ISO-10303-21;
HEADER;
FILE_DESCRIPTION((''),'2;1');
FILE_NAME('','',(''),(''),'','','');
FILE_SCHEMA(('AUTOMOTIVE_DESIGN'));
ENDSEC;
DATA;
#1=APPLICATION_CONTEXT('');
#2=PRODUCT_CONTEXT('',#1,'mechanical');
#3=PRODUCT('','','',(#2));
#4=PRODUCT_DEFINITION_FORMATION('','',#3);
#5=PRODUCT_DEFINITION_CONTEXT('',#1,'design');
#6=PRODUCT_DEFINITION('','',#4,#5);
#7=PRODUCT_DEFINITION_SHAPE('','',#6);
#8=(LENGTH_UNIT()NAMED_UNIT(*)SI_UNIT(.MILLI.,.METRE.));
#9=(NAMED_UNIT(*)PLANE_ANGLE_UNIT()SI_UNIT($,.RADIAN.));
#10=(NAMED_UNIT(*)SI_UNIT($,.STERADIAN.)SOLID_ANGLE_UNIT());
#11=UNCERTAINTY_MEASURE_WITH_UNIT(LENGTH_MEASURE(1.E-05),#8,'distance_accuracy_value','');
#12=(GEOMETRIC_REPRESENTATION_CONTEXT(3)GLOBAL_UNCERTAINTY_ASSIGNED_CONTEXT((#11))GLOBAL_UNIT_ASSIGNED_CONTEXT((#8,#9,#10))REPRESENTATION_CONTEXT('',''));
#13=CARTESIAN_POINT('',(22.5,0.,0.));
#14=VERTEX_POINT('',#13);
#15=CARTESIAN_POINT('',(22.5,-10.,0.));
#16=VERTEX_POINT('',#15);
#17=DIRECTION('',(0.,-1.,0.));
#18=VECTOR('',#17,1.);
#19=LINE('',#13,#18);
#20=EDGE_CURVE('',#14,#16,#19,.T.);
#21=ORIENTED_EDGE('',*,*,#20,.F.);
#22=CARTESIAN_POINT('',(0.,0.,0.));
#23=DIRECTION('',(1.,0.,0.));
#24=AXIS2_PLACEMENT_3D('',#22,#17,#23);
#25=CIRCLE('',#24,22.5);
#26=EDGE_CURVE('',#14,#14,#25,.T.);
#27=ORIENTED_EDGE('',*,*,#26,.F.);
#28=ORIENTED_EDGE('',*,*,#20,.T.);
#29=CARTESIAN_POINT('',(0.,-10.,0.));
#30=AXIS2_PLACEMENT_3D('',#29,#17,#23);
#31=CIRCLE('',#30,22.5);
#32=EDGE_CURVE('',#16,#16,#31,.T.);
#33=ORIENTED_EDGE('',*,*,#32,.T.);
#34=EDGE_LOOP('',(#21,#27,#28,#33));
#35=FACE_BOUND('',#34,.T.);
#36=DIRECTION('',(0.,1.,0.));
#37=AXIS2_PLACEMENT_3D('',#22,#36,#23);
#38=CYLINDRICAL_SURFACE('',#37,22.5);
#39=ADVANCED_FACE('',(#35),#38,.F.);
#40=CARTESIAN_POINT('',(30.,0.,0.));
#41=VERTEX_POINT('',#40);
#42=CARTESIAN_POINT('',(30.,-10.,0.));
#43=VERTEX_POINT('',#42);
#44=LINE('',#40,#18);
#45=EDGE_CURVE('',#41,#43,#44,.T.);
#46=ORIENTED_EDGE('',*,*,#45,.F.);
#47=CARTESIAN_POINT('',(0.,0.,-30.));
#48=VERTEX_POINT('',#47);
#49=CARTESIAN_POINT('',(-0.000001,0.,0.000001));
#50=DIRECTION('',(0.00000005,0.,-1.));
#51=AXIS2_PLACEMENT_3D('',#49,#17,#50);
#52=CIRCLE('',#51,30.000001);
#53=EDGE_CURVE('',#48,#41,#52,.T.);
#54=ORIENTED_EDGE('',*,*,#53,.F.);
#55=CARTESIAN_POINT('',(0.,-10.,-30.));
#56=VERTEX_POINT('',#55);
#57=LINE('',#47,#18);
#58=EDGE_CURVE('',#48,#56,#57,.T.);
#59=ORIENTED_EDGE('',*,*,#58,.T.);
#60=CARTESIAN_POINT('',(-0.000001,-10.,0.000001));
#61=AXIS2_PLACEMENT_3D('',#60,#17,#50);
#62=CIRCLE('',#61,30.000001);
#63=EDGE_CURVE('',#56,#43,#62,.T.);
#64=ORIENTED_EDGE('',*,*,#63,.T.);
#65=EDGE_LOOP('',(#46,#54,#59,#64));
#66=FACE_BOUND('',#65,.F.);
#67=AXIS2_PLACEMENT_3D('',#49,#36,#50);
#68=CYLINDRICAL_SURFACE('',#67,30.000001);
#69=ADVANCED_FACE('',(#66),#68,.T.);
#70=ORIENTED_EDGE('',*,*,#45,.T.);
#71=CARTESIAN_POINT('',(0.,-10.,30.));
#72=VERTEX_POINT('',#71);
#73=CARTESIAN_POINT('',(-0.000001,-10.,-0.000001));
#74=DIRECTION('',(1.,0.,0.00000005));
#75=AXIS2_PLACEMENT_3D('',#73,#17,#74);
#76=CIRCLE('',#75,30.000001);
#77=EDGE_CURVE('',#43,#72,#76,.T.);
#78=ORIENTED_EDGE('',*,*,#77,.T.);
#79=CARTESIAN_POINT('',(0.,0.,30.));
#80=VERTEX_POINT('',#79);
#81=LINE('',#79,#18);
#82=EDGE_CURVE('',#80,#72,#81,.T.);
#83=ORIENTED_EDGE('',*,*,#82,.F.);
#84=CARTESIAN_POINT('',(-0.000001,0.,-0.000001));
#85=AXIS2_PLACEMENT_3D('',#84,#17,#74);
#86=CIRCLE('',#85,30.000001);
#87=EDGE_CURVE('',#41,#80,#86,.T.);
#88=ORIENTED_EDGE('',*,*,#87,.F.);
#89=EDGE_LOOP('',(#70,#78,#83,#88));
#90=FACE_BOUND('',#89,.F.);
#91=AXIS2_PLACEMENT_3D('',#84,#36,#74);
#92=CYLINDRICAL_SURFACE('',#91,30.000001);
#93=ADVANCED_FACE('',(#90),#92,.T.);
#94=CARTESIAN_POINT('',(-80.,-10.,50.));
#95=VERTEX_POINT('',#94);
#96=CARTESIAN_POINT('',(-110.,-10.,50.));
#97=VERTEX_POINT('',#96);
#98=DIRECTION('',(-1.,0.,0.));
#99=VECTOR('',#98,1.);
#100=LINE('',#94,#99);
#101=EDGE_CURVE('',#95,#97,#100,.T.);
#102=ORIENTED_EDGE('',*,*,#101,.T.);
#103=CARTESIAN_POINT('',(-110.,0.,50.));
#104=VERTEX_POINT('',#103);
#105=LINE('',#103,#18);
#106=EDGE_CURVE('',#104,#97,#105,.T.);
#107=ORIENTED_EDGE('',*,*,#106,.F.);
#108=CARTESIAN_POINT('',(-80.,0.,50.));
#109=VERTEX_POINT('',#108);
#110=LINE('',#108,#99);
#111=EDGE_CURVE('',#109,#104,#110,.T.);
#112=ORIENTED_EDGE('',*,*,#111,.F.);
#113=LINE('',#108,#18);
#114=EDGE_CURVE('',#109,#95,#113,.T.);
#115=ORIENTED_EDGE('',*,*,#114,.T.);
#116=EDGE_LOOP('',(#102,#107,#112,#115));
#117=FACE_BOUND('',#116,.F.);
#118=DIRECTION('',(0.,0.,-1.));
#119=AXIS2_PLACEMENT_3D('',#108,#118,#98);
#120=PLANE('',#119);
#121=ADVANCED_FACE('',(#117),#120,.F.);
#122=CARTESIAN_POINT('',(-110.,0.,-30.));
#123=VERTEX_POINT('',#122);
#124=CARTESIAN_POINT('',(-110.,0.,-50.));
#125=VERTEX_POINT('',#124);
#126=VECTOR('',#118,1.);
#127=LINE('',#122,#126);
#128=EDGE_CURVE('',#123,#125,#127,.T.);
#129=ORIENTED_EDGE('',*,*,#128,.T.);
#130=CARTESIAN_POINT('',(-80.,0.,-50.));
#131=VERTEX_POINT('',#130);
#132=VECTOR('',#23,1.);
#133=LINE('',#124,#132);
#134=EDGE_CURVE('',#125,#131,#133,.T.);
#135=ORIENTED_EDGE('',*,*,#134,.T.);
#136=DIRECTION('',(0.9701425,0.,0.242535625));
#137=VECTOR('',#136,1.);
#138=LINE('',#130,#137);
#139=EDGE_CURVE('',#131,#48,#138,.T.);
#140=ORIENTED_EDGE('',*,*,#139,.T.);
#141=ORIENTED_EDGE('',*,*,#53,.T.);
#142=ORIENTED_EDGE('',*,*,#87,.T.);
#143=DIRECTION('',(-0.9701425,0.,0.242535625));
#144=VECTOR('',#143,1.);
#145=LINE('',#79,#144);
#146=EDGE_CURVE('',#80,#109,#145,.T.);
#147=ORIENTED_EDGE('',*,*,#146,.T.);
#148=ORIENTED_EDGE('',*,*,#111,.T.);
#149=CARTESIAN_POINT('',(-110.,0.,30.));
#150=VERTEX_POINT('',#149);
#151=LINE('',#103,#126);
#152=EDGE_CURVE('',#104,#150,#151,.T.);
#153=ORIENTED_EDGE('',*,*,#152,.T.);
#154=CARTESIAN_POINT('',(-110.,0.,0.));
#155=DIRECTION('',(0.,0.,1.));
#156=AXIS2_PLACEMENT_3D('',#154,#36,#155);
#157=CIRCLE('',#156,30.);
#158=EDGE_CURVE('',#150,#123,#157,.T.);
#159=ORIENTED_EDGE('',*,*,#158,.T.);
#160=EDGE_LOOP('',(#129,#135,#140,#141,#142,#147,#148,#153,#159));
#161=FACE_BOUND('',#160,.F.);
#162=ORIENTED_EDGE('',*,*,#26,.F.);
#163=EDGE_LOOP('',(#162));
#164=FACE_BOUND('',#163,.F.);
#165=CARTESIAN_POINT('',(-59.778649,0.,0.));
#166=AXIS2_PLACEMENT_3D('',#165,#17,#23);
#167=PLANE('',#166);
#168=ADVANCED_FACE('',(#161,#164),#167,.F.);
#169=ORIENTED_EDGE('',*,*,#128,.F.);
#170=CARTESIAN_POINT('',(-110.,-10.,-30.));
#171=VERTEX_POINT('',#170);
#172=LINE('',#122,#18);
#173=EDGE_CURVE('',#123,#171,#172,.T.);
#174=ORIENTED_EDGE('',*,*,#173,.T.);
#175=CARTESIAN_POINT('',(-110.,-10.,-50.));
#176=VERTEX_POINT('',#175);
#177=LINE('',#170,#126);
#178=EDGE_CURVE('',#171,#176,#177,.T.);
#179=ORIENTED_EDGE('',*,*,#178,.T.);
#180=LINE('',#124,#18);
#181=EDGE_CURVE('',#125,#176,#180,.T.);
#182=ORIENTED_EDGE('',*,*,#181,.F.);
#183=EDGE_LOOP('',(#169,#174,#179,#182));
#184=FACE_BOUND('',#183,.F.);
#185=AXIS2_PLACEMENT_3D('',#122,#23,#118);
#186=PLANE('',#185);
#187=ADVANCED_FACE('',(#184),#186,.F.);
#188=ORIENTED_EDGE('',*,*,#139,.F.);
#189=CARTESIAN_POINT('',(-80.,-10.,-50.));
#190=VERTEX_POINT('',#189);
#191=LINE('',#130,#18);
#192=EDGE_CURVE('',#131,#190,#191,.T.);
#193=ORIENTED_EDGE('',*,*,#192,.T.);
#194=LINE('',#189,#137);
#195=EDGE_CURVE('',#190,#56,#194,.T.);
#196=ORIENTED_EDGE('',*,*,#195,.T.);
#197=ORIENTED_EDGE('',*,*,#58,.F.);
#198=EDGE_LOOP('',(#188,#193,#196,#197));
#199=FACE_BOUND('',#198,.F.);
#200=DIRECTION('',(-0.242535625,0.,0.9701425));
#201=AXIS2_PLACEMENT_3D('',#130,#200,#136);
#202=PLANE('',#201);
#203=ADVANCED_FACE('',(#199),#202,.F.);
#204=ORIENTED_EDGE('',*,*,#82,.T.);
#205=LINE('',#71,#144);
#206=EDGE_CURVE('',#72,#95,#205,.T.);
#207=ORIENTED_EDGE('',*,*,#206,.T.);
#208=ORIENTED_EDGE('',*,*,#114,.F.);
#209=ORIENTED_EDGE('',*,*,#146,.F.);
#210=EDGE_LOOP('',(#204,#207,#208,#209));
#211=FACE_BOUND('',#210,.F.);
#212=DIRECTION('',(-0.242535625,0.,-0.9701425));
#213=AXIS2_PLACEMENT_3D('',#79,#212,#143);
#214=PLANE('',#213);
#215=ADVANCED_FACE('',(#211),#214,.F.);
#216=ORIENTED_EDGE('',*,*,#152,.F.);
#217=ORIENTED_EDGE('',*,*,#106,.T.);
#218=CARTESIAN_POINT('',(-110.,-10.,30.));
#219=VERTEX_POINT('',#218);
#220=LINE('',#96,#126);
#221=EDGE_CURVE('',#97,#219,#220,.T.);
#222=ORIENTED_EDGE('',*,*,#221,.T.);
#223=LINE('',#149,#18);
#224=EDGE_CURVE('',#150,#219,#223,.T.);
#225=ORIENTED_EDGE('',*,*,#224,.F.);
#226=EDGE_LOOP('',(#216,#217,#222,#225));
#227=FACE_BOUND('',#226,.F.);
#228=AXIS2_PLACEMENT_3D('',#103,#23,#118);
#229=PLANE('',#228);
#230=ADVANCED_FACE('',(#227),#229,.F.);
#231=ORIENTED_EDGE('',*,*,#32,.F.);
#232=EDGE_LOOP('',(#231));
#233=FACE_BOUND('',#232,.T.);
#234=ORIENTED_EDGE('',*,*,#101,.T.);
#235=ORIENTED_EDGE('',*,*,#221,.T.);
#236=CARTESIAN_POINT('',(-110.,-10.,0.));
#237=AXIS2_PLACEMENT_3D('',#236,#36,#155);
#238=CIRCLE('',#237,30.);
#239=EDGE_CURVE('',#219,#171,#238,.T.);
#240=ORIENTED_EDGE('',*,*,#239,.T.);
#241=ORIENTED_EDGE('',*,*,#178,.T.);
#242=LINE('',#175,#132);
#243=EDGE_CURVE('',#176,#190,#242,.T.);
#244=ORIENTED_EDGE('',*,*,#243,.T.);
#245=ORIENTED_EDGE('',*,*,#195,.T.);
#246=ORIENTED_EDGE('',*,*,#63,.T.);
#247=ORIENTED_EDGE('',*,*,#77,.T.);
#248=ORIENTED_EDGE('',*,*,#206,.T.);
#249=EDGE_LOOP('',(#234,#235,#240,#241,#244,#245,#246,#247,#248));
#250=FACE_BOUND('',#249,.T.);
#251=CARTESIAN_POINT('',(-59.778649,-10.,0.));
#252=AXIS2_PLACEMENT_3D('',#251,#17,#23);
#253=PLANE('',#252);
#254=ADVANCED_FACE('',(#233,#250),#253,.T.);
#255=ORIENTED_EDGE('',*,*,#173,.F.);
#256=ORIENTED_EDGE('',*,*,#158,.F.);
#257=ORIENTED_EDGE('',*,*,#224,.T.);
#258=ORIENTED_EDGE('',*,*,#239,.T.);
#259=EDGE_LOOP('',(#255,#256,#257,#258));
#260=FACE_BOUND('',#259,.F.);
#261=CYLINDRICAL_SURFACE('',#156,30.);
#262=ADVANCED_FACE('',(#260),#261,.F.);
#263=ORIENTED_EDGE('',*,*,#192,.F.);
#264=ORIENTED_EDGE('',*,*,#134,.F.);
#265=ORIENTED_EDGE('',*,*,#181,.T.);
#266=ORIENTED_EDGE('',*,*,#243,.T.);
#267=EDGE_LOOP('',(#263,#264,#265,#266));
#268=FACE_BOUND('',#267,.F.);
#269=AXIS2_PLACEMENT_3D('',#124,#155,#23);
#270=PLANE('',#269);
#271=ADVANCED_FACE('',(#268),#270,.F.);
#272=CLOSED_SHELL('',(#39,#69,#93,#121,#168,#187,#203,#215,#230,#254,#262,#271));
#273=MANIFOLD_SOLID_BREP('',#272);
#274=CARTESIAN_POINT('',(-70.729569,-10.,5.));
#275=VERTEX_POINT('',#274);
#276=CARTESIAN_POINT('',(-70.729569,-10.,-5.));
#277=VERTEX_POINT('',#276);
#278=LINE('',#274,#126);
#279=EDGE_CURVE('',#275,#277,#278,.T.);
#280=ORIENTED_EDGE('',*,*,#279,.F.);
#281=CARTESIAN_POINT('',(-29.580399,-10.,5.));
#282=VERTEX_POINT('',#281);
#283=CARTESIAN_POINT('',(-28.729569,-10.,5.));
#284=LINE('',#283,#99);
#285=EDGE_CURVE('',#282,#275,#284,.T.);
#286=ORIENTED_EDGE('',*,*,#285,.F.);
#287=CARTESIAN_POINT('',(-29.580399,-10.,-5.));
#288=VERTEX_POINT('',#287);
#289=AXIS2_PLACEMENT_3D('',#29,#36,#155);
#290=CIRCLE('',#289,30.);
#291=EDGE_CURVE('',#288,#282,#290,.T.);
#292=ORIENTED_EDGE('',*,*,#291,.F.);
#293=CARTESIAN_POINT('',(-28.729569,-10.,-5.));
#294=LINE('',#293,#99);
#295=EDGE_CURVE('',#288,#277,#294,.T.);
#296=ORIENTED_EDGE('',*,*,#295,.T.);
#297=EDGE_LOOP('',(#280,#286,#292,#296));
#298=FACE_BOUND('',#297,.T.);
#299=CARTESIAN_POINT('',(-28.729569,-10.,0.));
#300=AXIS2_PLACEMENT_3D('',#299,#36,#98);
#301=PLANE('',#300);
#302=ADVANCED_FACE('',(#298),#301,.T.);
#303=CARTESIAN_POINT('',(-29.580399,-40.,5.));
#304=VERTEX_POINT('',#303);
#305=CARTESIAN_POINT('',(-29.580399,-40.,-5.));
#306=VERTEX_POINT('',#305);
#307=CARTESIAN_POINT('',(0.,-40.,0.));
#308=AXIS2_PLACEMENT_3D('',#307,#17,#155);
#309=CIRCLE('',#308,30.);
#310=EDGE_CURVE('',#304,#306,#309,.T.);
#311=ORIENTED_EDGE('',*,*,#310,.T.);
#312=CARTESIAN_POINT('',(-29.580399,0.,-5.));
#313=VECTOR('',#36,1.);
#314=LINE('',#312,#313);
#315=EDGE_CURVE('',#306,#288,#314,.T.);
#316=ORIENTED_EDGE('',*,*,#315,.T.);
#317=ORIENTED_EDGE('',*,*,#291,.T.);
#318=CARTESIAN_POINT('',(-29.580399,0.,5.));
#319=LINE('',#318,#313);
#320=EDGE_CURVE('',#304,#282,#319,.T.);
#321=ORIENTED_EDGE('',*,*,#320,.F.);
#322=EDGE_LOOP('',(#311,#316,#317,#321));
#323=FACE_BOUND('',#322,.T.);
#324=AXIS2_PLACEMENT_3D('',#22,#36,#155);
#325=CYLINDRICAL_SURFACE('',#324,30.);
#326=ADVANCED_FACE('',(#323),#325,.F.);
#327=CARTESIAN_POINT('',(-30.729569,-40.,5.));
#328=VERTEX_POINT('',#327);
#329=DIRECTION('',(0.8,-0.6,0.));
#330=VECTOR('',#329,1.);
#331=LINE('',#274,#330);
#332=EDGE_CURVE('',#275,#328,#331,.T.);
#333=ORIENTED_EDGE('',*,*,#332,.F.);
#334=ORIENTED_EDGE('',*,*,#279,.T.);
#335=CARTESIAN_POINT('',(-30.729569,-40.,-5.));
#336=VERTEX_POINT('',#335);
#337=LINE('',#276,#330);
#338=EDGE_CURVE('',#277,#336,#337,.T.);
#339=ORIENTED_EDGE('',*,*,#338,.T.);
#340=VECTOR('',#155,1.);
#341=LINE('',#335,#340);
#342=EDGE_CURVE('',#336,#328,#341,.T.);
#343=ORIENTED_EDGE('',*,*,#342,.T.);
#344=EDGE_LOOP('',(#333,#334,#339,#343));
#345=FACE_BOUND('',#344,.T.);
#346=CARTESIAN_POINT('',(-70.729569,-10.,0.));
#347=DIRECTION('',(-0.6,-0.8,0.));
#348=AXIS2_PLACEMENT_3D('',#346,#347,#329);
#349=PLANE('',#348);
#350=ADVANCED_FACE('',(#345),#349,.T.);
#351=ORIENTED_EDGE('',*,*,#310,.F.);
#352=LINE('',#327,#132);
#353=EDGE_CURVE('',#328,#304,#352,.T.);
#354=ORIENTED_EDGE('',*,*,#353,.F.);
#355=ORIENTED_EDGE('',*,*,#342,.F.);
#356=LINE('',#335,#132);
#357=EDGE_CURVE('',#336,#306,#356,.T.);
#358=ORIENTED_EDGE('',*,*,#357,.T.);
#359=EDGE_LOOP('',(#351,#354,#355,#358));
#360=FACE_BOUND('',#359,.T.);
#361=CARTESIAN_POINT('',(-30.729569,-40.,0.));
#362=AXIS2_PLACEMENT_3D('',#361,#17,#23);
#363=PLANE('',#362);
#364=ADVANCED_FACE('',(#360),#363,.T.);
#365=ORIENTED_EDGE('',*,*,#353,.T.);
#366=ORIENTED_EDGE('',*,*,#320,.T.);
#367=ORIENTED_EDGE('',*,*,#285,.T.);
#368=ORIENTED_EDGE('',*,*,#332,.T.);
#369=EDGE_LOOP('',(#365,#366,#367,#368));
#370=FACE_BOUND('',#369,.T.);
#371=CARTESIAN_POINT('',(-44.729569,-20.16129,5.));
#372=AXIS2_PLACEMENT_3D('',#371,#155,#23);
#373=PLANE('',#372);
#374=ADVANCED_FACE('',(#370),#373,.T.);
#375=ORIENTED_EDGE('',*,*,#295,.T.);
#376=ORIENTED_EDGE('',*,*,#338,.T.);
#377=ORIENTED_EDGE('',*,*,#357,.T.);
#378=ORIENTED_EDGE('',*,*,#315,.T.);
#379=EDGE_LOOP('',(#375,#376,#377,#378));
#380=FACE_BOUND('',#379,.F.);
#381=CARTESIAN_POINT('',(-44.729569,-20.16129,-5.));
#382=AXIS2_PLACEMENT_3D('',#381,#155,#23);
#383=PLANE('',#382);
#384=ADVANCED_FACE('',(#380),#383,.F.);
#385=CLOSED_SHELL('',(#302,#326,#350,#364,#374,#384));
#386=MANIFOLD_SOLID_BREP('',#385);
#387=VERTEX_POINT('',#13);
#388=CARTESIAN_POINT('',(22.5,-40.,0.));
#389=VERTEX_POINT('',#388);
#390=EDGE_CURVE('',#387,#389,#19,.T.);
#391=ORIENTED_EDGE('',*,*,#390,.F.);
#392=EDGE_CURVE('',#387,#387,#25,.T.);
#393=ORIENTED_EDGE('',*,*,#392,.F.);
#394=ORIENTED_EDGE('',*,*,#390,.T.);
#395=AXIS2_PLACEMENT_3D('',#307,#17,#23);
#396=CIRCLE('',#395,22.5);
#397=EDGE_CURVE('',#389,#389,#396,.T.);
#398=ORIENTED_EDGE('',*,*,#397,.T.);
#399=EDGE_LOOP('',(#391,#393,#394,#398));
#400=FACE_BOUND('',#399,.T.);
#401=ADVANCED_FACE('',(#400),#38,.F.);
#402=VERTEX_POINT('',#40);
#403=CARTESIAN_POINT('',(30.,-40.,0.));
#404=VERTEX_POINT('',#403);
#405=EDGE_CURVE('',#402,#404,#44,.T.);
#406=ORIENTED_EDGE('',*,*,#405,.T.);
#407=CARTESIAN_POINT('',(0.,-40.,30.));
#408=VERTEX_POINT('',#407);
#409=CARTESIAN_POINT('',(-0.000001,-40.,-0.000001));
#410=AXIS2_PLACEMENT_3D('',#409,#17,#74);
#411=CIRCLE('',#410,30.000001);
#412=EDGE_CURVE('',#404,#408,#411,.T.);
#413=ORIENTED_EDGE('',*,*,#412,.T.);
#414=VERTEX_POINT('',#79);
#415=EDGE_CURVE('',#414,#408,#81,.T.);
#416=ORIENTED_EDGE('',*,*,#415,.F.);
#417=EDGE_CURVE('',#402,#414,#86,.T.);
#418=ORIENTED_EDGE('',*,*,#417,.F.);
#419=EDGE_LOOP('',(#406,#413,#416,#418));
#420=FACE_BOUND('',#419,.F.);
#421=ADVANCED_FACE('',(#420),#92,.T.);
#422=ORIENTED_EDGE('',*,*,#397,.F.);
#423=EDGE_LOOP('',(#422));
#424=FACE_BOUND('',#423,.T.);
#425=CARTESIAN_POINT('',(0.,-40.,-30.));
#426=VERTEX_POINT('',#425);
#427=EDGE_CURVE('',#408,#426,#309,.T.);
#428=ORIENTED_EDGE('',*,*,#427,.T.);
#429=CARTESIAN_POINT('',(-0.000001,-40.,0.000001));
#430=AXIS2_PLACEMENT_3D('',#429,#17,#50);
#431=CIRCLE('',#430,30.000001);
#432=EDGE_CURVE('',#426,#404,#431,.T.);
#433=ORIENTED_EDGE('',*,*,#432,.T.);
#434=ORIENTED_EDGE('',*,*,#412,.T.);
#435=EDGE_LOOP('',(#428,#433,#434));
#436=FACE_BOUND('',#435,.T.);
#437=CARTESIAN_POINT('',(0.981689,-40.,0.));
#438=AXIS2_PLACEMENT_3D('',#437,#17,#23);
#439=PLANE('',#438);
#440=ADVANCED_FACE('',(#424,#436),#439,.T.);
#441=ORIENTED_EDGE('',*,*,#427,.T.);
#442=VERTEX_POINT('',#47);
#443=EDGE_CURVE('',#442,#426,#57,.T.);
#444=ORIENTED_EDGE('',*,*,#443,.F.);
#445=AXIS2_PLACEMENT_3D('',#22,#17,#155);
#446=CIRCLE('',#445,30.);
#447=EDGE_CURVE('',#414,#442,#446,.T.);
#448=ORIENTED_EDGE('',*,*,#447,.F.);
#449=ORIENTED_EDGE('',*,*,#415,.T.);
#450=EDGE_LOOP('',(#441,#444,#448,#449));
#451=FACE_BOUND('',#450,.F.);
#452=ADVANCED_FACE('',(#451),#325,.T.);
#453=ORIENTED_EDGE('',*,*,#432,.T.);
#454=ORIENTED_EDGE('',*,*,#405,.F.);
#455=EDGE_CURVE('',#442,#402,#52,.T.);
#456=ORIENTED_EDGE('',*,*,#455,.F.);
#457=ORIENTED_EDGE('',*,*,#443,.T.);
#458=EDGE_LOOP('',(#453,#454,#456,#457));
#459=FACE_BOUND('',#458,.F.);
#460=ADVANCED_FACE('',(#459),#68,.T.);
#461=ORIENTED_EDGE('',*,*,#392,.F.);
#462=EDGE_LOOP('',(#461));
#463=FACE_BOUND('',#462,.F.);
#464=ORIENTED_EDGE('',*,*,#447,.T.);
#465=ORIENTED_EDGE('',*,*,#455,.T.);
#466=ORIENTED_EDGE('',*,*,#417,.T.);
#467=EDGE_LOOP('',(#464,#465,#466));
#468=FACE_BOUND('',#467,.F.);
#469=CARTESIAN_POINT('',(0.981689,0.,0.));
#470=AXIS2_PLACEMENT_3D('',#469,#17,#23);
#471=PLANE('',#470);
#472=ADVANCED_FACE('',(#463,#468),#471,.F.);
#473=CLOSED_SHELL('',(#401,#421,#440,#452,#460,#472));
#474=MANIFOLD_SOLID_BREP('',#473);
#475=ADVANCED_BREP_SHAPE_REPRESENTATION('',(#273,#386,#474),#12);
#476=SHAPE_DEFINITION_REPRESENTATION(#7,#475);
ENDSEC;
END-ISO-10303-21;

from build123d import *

# Parameters (mm, degrees)
F0_R     = 22.5
F1_DEPTH = 40
F2_DEPTH = 10
F4_DEPTH = 5


with BuildPart() as f1:
    # F0 (on Front) → F1 (new body)
    with BuildSketch(Plane.XZ):
        with BuildLine():
            ThreePointArc((30, 0), (21.213203, 21.213203), (0, 30))
            ThreePointArc((0, 30), (-30, 0), (0, -30))
            ThreePointArc((0, -30), (21.213203, -21.213203), (30, 0))
        make_face()
        Circle(F0_R, mode=Mode.SUBTRACT)
    extrude(amount=F1_DEPTH)


with BuildPart() as f2:
    # F0 (on Front) → F2 (new body)
    with BuildSketch(Plane.XZ):
        with BuildLine():
            Line((0, 30), (-80, 50))
            Line((-80, 50), (-110, 50))
            Line((-110, 50), (-110, 30))
            ThreePointArc((-110, 30), (-80, 0), (-110, -30))
            Line((-110, -30), (-110, -50))
            Line((-110, -50), (-80, -50))
            Line((-80, -50), (0, -30))
            ThreePointArc((0, -30), (-30, 0), (0, 30))
        make_face()
        with BuildLine():
            ThreePointArc((30, 0), (21.213203, 21.213203), (0, 30))
            ThreePointArc((0, 30), (-30, 0), (0, -30))
            ThreePointArc((0, -30), (21.213203, -21.213203), (30, 0))
        make_face()
        Circle(F0_R, mode=Mode.SUBTRACT)
    extrude(amount=F2_DEPTH)


with BuildPart() as f4:
    # F3 (on Top) → F4 (new body, symmetric)
    with BuildSketch(Plane.XY):
        Polygon((-70.729569, -10), (-30.729569, -40), (-28.729569, -40), (-28.729569, -10), align=None)
    extrude(amount=F4_DEPTH, both=True)

    # F5: cut F1
    add(f1.part, mode=Mode.SUBTRACT)


solid = Compound([f1.part, f2.part, f4.part])
